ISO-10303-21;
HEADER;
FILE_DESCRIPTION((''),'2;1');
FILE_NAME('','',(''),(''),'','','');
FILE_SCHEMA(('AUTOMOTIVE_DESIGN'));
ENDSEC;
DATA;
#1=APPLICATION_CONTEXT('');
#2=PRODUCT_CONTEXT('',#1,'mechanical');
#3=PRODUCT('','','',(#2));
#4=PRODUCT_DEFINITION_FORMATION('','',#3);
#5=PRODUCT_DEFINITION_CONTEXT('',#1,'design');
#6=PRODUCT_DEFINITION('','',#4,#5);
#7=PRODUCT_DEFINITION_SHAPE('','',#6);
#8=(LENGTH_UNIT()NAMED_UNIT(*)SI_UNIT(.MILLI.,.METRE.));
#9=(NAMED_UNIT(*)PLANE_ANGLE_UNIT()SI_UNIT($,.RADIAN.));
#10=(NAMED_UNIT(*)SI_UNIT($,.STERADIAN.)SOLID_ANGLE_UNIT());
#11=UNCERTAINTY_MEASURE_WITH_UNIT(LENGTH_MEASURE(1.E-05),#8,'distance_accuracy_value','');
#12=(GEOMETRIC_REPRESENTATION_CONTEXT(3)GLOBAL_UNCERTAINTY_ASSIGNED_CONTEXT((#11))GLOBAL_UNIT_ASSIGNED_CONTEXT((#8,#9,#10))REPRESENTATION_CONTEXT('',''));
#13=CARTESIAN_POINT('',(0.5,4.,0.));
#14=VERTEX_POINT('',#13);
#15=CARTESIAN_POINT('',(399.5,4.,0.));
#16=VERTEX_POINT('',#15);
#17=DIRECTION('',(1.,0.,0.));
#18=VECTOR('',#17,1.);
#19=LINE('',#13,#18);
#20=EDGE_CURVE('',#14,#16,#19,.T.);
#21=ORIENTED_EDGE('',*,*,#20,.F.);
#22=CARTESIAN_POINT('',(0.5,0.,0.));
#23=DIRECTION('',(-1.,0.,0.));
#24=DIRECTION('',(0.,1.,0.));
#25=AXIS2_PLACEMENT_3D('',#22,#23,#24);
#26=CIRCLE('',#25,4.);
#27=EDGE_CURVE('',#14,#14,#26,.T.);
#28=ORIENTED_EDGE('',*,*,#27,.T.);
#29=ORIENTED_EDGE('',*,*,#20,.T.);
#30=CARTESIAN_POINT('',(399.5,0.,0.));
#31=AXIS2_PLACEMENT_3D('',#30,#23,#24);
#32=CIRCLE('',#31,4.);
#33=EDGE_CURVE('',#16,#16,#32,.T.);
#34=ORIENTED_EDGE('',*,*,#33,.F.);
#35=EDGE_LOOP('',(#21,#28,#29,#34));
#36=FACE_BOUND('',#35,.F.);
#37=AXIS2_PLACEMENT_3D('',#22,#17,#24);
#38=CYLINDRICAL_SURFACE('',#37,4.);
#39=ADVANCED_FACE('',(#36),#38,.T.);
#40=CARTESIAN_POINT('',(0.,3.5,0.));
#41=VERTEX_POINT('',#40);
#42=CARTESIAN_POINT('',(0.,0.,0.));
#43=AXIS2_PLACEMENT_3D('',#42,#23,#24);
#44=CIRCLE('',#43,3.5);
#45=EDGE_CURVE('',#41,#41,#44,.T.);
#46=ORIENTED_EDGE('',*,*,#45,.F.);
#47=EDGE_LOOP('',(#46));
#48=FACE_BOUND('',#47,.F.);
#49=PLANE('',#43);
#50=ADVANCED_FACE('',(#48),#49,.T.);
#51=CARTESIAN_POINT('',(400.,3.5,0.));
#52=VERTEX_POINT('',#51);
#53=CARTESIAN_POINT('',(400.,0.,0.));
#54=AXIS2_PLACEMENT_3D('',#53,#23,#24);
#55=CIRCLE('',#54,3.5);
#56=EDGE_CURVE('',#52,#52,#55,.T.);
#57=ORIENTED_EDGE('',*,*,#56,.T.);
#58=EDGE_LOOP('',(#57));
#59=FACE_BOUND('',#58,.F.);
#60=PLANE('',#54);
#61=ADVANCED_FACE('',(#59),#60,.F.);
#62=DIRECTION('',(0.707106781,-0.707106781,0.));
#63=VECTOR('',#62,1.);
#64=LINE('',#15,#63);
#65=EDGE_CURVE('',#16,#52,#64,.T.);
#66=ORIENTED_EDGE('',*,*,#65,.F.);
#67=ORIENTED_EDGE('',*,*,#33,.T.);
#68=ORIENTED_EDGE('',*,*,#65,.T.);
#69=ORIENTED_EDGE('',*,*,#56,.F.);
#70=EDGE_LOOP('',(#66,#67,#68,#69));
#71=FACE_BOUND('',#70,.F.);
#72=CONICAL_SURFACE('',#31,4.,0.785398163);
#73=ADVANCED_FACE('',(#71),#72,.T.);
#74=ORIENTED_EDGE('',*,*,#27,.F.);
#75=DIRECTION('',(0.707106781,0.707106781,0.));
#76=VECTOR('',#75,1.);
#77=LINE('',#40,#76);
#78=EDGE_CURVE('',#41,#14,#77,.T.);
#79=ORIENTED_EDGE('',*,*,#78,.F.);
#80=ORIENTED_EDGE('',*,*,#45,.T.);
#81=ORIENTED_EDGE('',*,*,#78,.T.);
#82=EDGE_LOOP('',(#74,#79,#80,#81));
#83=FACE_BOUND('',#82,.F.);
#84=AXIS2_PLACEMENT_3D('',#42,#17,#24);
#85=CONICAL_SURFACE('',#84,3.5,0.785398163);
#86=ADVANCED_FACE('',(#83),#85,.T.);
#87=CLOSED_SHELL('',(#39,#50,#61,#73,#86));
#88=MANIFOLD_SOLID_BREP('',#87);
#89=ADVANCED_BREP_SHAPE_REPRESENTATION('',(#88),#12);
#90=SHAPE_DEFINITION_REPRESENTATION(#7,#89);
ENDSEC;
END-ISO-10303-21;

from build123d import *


with BuildPart() as part:
    # Sketch1 → Revolve1 (revolve)
    with BuildSketch(Plane.XY):
        Polygon((0, 0), (0, 3.5), (0.5, 4), (399.5, 4), (400, 3.5), (400, 0), align=None)
    revolve(axis=Axis((400, 0, 0), (-1, 0, 0)))


solid = part.part
